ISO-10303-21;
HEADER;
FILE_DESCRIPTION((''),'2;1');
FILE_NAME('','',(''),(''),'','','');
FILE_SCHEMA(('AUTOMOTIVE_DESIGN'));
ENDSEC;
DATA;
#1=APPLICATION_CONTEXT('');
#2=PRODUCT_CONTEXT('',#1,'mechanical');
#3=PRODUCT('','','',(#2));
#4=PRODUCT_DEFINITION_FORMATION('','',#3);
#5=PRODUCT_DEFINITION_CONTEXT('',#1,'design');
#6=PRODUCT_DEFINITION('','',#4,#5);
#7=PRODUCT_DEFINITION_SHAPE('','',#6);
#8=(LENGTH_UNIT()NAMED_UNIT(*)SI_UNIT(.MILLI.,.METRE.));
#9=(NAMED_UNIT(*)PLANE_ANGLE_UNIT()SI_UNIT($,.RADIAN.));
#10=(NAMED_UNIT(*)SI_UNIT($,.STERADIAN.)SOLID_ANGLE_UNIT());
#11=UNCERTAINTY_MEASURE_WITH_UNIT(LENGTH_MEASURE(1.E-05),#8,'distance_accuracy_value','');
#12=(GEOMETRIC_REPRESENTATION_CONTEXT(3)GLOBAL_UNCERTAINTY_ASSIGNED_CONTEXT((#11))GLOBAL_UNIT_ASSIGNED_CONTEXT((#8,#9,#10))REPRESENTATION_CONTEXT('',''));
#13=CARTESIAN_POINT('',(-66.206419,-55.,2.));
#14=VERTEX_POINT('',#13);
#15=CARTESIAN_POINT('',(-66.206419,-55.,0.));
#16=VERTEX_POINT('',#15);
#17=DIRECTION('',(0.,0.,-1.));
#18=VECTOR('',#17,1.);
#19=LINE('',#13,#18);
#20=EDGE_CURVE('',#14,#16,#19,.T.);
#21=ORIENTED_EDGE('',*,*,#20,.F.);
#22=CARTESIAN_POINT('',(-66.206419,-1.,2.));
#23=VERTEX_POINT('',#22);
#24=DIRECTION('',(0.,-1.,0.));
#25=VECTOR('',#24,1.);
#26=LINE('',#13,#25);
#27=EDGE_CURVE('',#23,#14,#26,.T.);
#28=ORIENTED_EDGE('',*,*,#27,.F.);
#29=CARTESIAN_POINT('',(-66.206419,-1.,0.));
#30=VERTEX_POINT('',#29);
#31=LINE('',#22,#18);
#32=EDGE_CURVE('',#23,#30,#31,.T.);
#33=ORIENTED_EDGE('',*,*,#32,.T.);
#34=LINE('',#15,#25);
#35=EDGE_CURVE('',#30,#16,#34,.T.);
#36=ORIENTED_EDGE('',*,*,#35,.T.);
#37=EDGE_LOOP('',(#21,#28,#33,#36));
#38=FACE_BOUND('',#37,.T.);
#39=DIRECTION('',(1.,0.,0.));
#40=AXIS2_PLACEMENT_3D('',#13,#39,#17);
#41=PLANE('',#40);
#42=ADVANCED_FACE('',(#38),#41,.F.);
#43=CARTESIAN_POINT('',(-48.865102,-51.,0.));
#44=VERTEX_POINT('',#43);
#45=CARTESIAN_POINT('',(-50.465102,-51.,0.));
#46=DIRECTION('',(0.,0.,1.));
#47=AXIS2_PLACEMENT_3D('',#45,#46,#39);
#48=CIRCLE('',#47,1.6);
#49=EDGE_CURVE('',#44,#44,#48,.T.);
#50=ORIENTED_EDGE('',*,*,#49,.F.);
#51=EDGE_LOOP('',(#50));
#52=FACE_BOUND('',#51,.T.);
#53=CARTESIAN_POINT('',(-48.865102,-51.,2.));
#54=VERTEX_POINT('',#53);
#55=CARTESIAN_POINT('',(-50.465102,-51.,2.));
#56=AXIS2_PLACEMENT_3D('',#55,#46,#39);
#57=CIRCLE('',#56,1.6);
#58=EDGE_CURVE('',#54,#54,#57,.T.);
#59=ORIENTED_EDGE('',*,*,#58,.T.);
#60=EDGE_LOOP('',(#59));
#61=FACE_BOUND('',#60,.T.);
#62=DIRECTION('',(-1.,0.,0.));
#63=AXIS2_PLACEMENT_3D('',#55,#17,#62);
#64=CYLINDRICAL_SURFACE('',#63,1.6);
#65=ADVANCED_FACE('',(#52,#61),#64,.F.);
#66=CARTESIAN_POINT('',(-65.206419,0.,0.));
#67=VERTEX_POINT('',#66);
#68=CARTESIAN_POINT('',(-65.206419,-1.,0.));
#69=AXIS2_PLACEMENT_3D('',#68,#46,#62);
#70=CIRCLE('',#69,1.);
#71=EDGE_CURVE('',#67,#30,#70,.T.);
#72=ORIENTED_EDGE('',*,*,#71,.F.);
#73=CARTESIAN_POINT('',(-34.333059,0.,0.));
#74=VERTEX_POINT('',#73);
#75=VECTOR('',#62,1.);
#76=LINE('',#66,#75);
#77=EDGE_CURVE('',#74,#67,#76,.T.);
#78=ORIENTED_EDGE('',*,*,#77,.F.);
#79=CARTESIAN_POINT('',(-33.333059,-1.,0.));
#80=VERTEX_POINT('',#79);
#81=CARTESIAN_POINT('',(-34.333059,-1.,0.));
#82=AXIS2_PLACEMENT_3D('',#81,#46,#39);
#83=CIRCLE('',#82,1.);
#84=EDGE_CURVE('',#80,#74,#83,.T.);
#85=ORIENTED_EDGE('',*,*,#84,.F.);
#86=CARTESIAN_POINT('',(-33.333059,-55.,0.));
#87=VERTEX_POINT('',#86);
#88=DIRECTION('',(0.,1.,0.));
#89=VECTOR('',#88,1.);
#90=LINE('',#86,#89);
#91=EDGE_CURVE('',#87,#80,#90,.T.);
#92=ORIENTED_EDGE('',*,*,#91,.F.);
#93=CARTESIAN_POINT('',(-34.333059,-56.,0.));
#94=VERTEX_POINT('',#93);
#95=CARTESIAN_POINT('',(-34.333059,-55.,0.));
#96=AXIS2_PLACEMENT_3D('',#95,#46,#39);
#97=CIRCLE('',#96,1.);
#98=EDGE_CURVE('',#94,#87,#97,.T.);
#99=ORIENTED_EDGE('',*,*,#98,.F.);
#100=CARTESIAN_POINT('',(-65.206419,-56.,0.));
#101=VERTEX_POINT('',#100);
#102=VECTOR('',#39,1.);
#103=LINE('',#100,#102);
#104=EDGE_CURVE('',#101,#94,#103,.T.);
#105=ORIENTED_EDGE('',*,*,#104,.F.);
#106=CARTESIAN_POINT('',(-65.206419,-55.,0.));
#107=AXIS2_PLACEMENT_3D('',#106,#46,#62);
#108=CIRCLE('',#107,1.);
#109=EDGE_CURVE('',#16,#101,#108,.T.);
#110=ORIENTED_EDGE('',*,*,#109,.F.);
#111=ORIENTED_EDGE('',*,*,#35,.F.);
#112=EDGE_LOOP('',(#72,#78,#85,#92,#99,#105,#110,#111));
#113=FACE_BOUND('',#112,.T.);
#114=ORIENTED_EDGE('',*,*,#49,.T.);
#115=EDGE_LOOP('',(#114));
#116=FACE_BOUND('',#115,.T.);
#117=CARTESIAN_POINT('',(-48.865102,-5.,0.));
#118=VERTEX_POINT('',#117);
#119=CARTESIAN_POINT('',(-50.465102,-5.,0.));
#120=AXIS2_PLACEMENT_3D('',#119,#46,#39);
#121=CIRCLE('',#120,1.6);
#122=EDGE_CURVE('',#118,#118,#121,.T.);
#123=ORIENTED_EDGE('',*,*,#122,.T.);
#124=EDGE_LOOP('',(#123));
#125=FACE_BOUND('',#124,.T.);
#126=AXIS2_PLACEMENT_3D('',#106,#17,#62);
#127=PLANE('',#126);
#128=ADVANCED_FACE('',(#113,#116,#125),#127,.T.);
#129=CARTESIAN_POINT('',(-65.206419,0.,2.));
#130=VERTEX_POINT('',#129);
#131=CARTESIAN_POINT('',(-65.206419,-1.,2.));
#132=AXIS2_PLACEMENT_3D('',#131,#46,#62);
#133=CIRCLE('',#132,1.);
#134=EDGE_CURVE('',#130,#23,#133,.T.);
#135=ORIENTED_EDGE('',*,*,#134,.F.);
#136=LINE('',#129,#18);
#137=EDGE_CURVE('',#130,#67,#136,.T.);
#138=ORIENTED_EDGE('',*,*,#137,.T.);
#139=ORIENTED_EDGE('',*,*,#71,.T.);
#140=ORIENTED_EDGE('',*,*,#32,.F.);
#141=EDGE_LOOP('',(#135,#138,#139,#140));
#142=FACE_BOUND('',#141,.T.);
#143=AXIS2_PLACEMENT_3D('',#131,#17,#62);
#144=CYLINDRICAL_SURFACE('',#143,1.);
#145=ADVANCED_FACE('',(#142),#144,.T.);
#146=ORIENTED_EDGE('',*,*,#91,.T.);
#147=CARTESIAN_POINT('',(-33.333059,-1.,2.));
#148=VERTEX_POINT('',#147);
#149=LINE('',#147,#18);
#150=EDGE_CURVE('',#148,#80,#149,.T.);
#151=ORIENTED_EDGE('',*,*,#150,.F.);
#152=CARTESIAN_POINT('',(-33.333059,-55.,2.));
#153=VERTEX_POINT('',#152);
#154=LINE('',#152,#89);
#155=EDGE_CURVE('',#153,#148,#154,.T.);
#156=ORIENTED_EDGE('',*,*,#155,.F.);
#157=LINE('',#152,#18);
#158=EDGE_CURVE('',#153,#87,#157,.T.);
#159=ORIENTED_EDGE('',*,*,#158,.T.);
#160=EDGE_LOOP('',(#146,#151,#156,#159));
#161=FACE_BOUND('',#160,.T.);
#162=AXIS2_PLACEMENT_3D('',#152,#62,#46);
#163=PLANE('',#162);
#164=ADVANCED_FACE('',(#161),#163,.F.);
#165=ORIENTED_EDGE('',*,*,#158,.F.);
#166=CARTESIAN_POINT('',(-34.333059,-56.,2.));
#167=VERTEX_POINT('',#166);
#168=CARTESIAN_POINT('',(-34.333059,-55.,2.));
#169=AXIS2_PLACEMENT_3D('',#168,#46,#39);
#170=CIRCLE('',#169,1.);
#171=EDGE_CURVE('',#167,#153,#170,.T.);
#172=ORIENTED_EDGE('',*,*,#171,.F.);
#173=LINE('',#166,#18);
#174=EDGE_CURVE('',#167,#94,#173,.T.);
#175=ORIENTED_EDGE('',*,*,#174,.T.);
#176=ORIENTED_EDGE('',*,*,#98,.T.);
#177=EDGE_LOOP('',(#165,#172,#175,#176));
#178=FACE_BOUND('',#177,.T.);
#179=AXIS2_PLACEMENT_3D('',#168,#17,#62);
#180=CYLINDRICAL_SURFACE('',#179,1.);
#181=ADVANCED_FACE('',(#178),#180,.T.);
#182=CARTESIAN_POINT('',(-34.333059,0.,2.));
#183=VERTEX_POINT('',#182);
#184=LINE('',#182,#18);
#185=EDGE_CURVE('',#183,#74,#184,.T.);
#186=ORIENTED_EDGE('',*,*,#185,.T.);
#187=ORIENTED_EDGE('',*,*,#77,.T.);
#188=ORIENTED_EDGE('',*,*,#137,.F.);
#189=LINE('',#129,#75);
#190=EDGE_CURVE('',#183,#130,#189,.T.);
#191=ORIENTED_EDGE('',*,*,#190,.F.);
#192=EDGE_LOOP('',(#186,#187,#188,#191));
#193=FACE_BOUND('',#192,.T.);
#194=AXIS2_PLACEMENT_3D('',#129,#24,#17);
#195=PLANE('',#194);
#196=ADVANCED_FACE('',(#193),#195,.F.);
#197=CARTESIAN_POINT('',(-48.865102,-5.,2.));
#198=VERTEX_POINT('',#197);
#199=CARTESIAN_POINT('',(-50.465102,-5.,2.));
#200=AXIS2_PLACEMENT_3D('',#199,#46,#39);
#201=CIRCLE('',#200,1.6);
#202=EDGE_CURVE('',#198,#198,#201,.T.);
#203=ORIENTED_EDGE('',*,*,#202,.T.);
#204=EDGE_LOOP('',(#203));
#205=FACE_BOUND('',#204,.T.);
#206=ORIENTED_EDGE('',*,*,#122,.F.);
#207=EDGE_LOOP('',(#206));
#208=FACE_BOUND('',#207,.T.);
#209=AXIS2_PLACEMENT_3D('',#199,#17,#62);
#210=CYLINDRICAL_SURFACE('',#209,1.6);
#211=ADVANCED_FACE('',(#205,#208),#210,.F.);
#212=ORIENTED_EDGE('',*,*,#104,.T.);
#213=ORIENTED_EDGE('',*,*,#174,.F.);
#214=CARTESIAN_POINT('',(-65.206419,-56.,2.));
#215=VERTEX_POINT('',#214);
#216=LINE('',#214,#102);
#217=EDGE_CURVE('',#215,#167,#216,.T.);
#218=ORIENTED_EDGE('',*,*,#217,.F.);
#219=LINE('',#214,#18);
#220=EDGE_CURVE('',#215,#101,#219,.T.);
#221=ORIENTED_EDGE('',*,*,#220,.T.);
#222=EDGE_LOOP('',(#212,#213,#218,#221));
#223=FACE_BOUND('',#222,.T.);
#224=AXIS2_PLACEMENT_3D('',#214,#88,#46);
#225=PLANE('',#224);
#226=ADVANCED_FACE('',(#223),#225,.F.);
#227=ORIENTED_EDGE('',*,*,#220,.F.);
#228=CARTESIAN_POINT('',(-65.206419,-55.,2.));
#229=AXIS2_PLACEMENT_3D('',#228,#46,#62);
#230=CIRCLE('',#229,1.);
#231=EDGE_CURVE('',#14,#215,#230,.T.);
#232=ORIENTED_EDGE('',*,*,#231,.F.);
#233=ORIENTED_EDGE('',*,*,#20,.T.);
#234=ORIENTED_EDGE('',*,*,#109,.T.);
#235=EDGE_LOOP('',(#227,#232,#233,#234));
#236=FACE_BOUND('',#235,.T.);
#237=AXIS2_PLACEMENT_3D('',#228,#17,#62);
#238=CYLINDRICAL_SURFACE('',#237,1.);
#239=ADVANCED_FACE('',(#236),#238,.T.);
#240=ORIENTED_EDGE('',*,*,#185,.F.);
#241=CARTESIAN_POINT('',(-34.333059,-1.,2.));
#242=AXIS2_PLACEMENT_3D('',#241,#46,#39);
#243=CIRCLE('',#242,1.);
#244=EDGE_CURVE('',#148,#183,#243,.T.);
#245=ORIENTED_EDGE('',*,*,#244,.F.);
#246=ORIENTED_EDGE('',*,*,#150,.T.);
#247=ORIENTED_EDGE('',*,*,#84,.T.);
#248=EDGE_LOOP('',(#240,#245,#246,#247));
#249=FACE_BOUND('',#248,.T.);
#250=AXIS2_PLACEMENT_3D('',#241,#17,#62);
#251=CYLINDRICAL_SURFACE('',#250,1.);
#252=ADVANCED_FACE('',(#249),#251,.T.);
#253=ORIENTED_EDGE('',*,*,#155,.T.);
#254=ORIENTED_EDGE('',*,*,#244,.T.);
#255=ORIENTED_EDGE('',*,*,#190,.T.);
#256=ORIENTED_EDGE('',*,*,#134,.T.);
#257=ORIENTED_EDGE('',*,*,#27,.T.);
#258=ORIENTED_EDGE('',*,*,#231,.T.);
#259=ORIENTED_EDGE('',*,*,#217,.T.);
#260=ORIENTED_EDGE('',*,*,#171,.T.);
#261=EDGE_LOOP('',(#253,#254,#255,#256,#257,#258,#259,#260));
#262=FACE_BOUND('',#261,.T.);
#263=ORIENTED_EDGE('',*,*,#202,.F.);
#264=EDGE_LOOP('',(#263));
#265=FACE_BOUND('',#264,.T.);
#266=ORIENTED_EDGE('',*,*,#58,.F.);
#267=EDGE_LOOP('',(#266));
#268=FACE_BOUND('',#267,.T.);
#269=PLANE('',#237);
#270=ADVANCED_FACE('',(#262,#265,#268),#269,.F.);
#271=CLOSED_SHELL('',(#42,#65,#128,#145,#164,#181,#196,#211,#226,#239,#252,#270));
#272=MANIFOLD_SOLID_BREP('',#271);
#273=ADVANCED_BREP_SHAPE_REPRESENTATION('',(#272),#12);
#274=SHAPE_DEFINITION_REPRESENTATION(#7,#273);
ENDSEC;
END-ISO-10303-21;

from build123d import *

# Parameters (mm, degrees)
SKETCH_1_R      = 1.6
EXTRUDE_1_DEPTH = 2


with BuildPart() as part:
    # 草图1 → 凸台-拉伸1 (new body)
    with BuildSketch(Plane.XY):
        with BuildLine():
            Line((-65.206418669, -56), (-34.333058664, -56))
            ThreePointArc((-34.333058664, -56), (-33.625951883, -55.707106781), (-33.333058664, -55))
            Line((-33.333058664, -55), (-33.333058664, -1))
            ThreePointArc((-33.333058664, -1), (-33.625951883, -0.292893219), (-34.333058664, 0))
            Line((-34.333058664, 0), (-65.206418669, 0))
            ThreePointArc((-65.206418669, 0), (-65.91352545, -0.292893219), (-66.206418669, -1))
            Line((-66.206418669, -1), (-66.206418669, -55))
            ThreePointArc((-66.206418669, -55), (-65.91352545, -55.707106781), (-65.206418669, -56))
        make_face()
        with Locations((-50.465102199, -5)):
            Circle(SKETCH_1_R, mode=Mode.SUBTRACT)
        with Locations((-50.465102199, -51)):
            Circle(SKETCH_1_R, mode=Mode.SUBTRACT)
    extrude(amount=EXTRUDE_1_DEPTH)


solid = part.part
